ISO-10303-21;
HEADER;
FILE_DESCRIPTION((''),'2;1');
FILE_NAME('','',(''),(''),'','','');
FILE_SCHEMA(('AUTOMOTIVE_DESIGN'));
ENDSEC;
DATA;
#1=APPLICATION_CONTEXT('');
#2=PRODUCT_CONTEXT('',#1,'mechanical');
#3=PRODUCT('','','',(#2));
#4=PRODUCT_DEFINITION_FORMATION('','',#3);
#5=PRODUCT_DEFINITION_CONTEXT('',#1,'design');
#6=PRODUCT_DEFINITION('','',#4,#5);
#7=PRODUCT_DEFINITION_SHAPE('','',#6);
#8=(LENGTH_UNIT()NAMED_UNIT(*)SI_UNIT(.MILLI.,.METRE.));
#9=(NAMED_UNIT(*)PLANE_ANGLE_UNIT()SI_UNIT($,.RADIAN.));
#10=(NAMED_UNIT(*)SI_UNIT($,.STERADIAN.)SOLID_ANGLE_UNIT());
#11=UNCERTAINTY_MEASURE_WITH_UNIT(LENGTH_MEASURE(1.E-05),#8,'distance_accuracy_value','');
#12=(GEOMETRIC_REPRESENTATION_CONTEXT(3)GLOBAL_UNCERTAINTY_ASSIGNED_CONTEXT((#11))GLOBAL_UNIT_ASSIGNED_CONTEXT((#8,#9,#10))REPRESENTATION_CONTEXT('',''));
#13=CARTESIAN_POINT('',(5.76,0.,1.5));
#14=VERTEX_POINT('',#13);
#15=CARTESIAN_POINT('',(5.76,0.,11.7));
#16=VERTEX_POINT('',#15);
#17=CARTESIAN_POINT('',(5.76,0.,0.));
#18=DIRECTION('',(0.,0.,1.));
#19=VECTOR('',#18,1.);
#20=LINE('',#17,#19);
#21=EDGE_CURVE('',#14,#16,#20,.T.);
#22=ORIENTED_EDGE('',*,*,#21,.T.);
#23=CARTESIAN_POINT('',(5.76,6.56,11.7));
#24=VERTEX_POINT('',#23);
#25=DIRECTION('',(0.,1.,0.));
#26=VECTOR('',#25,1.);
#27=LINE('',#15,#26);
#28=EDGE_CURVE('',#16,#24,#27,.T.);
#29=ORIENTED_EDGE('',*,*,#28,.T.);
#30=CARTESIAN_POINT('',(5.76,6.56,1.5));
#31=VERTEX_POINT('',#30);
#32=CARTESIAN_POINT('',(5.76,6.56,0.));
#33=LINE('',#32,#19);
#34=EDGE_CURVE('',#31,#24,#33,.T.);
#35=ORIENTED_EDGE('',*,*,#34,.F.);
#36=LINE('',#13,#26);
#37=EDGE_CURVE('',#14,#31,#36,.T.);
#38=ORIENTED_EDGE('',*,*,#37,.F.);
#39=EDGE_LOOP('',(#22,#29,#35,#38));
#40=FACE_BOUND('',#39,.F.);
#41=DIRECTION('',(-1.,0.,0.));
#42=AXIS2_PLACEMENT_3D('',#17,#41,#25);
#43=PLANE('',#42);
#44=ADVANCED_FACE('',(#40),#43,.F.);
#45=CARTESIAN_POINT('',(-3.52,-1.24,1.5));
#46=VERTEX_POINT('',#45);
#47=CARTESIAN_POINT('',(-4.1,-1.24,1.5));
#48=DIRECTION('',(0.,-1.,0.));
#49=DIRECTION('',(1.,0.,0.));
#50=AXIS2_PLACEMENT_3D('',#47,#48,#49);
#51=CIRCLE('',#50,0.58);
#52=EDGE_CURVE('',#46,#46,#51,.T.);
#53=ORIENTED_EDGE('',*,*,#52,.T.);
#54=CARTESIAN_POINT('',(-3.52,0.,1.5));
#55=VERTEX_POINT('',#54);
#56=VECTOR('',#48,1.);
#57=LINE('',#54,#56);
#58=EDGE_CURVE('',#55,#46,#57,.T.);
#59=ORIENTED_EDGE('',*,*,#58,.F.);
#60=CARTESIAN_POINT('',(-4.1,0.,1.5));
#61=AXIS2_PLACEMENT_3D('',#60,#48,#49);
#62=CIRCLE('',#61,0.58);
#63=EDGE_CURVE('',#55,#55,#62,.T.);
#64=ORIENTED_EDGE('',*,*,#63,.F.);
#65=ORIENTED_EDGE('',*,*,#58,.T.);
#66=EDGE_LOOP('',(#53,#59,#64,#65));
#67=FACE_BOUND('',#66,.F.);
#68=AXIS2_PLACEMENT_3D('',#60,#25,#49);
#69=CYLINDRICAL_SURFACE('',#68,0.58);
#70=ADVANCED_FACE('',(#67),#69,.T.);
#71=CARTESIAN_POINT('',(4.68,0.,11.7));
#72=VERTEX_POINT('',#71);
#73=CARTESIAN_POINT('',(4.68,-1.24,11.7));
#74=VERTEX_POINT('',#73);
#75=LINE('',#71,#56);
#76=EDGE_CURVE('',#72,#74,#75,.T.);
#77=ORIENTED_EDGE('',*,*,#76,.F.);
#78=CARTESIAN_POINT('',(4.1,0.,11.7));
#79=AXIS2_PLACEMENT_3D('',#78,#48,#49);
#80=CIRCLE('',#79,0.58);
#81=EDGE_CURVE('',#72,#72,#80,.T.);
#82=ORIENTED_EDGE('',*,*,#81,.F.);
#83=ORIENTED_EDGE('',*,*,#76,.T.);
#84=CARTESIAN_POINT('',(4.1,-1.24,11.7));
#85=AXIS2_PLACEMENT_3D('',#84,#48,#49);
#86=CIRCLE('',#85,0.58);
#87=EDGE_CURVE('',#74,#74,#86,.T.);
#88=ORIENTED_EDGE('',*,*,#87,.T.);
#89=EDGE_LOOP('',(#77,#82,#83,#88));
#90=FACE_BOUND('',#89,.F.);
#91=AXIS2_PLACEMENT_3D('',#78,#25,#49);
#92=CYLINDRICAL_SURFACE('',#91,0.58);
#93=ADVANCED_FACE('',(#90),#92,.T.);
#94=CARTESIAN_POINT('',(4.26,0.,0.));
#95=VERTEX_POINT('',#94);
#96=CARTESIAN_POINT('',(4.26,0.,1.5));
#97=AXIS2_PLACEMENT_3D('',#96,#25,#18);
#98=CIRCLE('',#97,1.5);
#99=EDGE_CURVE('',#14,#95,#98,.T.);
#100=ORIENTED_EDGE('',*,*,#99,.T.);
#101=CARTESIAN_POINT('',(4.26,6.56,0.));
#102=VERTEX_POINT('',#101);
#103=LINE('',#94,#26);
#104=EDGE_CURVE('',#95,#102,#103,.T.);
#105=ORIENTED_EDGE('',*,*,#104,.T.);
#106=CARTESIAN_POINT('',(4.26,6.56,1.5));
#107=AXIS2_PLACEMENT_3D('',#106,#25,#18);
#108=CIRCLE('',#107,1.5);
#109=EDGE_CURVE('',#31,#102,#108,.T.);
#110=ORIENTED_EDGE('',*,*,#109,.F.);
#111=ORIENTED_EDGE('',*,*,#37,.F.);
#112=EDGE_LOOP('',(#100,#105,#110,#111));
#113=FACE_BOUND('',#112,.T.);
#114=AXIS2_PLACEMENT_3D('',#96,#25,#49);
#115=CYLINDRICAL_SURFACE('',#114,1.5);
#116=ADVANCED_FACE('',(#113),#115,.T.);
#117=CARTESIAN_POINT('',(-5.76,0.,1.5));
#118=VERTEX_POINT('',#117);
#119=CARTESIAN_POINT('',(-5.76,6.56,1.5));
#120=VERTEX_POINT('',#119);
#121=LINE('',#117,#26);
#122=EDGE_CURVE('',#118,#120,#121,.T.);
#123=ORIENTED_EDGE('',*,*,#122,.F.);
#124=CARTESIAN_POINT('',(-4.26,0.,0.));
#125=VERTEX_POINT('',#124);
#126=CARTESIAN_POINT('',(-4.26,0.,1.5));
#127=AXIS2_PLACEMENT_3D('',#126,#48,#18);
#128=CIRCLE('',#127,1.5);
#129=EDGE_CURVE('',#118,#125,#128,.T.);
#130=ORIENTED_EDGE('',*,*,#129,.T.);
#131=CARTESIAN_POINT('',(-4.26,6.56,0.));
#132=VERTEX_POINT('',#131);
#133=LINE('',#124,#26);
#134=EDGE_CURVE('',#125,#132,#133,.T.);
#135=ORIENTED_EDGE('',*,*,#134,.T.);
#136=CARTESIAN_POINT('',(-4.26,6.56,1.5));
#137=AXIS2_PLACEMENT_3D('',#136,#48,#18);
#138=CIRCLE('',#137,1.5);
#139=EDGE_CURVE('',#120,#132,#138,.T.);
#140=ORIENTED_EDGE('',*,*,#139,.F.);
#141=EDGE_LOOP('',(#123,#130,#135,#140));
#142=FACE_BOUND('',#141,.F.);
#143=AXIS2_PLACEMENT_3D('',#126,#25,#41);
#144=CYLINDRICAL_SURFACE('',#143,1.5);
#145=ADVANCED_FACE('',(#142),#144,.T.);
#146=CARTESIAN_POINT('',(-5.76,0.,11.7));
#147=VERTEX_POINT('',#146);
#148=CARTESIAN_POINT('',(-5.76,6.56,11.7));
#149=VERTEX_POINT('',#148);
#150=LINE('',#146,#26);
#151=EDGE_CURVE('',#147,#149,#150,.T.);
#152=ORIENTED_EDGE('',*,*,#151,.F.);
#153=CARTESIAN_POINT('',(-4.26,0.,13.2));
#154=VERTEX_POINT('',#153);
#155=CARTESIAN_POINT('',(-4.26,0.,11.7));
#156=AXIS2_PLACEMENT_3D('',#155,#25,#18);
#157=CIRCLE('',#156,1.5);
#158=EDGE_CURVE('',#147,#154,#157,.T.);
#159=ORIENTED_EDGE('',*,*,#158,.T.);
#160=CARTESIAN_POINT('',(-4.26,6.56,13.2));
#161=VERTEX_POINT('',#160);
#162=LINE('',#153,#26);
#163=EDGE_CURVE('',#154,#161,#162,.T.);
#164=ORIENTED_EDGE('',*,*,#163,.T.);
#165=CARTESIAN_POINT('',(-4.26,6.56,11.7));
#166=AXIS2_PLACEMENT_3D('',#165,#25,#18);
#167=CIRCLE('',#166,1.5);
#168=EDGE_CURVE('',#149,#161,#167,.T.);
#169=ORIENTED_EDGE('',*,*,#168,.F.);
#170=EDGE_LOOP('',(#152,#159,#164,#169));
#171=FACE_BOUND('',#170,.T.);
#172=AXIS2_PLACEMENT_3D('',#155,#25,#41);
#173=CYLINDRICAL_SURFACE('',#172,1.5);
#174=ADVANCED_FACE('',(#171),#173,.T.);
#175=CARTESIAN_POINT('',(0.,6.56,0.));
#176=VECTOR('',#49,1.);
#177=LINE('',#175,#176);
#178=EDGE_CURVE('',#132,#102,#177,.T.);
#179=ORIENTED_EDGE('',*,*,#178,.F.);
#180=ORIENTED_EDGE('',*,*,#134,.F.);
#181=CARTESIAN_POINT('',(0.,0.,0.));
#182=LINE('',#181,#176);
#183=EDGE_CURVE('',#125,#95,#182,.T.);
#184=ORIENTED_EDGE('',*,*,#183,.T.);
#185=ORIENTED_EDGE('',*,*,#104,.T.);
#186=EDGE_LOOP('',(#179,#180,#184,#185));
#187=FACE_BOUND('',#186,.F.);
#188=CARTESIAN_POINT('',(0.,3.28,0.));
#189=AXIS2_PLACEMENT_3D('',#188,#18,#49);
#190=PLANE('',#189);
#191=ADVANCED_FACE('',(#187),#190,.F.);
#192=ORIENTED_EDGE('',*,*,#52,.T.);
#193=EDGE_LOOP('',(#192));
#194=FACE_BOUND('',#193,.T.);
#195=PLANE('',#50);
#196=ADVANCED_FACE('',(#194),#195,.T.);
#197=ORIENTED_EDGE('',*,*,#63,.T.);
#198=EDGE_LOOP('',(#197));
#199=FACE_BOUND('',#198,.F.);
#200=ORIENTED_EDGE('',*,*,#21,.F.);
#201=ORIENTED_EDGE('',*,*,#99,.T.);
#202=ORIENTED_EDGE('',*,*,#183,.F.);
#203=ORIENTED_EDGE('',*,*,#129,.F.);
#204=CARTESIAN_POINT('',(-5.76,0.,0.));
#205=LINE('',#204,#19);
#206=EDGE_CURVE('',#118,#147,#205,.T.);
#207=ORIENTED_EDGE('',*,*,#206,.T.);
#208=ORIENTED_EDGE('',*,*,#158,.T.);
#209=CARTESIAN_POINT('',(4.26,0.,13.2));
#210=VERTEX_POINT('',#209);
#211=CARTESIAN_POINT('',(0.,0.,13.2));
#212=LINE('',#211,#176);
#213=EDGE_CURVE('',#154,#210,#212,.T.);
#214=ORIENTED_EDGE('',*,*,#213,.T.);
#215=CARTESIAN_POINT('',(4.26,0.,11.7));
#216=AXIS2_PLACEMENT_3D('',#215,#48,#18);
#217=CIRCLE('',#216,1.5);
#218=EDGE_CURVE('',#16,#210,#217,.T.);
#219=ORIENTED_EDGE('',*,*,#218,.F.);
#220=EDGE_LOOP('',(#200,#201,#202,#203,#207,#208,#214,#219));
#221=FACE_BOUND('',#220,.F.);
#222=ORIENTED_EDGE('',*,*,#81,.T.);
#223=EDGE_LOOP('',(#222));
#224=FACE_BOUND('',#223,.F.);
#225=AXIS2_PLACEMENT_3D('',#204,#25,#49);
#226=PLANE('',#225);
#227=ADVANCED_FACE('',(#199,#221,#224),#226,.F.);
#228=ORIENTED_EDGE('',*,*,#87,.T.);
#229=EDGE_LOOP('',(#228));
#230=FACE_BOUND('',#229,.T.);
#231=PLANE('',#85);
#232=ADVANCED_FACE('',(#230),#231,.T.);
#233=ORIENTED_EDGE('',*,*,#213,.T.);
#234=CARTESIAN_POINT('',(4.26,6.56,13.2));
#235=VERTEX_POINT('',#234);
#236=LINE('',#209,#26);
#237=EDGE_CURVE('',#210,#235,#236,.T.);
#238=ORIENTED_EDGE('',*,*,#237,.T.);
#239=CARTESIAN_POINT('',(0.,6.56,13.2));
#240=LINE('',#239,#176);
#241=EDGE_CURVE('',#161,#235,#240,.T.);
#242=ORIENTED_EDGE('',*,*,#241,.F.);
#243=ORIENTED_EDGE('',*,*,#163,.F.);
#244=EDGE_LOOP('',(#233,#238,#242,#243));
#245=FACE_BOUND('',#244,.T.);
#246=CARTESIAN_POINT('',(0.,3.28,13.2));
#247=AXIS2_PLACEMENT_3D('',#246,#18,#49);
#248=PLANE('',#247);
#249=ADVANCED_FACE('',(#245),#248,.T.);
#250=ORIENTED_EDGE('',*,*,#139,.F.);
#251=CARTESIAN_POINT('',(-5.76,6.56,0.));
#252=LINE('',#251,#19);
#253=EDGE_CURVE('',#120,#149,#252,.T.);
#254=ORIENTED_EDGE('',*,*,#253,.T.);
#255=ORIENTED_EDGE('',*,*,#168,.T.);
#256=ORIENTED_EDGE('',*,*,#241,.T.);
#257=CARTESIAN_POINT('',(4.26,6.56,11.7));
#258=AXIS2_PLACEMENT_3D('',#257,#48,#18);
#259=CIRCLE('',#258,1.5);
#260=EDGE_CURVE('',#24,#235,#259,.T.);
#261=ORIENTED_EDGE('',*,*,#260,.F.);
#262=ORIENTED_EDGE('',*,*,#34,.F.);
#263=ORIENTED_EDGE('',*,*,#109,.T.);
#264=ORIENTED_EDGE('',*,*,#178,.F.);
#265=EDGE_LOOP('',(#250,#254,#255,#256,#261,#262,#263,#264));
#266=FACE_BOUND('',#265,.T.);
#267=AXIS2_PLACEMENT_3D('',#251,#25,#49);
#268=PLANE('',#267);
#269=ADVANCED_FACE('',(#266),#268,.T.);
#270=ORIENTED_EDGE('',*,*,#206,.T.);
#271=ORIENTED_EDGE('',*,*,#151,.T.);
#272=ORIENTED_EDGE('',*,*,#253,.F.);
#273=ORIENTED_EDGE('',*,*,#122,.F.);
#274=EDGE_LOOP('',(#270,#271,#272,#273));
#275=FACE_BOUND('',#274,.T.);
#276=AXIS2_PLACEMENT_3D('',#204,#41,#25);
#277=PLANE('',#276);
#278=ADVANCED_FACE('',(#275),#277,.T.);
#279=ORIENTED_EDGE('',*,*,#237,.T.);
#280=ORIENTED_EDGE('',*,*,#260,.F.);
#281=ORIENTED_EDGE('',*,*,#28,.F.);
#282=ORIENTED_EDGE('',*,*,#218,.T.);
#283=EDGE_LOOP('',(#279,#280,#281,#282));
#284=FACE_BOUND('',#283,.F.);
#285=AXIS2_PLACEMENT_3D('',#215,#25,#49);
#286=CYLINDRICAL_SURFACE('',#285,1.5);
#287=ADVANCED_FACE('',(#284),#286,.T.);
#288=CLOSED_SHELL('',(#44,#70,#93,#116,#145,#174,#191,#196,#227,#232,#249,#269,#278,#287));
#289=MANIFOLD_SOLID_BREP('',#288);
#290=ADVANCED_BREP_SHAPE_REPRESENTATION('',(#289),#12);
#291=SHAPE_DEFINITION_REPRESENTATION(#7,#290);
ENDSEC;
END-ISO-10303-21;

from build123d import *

# Parameters (mm, degrees)
CYLINDER006_R     = 0.58
CYLINDER006_DEPTH = 1.24
BOX013_W          = 11.52
BOX013_H          = 6.56
BOX013_DEPTH      = 13.2
FILLET011_R       = 1.5
CYLINDER007_R     = 0.58
CYLINDER007_DEPTH = 1.24


with BuildPart() as cylinder006:
    # Cylinder006 → Cylinder006 (new body)
    with BuildSketch(Plane(origin=(-4.1, 0, 1.5), x_dir=(1, 0, 0), z_dir=(0, -1, 0))):
        Circle(CYLINDER006_R)
    extrude(amount=CYLINDER006_DEPTH)


with BuildPart() as fusion002:
    # Box013 → Box013 (new body)
    with BuildSketch(Plane(origin=(-5.76, 0, 0), x_dir=(1, 0, 0), z_dir=(0, 0, 1))):
        with Locations((5.76, 3.28)):
            Rectangle(BOX013_W, BOX013_H)
    extrude(amount=BOX013_DEPTH)

    # Fillet011
    fillet011_edges = [fusion002.edges().sort_by_distance(p)[0] for p in [
        (-5.76, 3.28, 13.2),
        (-5.76, 3.28, 0),
        (5.76, 3.28, 13.2),
        (5.76, 3.28, 0),
    ]]
    fillet(fillet011_edges, radius=FILLET011_R)

    # Fusion002: union Cylinder006
    add(cylinder006.part)


with BuildPart() as encoderbody:
    # Cylinder007 → Cylinder007 (new body)
    with BuildSketch(Plane(origin=(4.1, 0, 11.7), x_dir=(1, 0, 0), z_dir=(0, -1, 0))):
        Circle(CYLINDER007_R)
    extrude(amount=CYLINDER007_DEPTH)

    # Fusion003: union Fusion002
    add(fusion002.part)


solid = encoderbody.part
